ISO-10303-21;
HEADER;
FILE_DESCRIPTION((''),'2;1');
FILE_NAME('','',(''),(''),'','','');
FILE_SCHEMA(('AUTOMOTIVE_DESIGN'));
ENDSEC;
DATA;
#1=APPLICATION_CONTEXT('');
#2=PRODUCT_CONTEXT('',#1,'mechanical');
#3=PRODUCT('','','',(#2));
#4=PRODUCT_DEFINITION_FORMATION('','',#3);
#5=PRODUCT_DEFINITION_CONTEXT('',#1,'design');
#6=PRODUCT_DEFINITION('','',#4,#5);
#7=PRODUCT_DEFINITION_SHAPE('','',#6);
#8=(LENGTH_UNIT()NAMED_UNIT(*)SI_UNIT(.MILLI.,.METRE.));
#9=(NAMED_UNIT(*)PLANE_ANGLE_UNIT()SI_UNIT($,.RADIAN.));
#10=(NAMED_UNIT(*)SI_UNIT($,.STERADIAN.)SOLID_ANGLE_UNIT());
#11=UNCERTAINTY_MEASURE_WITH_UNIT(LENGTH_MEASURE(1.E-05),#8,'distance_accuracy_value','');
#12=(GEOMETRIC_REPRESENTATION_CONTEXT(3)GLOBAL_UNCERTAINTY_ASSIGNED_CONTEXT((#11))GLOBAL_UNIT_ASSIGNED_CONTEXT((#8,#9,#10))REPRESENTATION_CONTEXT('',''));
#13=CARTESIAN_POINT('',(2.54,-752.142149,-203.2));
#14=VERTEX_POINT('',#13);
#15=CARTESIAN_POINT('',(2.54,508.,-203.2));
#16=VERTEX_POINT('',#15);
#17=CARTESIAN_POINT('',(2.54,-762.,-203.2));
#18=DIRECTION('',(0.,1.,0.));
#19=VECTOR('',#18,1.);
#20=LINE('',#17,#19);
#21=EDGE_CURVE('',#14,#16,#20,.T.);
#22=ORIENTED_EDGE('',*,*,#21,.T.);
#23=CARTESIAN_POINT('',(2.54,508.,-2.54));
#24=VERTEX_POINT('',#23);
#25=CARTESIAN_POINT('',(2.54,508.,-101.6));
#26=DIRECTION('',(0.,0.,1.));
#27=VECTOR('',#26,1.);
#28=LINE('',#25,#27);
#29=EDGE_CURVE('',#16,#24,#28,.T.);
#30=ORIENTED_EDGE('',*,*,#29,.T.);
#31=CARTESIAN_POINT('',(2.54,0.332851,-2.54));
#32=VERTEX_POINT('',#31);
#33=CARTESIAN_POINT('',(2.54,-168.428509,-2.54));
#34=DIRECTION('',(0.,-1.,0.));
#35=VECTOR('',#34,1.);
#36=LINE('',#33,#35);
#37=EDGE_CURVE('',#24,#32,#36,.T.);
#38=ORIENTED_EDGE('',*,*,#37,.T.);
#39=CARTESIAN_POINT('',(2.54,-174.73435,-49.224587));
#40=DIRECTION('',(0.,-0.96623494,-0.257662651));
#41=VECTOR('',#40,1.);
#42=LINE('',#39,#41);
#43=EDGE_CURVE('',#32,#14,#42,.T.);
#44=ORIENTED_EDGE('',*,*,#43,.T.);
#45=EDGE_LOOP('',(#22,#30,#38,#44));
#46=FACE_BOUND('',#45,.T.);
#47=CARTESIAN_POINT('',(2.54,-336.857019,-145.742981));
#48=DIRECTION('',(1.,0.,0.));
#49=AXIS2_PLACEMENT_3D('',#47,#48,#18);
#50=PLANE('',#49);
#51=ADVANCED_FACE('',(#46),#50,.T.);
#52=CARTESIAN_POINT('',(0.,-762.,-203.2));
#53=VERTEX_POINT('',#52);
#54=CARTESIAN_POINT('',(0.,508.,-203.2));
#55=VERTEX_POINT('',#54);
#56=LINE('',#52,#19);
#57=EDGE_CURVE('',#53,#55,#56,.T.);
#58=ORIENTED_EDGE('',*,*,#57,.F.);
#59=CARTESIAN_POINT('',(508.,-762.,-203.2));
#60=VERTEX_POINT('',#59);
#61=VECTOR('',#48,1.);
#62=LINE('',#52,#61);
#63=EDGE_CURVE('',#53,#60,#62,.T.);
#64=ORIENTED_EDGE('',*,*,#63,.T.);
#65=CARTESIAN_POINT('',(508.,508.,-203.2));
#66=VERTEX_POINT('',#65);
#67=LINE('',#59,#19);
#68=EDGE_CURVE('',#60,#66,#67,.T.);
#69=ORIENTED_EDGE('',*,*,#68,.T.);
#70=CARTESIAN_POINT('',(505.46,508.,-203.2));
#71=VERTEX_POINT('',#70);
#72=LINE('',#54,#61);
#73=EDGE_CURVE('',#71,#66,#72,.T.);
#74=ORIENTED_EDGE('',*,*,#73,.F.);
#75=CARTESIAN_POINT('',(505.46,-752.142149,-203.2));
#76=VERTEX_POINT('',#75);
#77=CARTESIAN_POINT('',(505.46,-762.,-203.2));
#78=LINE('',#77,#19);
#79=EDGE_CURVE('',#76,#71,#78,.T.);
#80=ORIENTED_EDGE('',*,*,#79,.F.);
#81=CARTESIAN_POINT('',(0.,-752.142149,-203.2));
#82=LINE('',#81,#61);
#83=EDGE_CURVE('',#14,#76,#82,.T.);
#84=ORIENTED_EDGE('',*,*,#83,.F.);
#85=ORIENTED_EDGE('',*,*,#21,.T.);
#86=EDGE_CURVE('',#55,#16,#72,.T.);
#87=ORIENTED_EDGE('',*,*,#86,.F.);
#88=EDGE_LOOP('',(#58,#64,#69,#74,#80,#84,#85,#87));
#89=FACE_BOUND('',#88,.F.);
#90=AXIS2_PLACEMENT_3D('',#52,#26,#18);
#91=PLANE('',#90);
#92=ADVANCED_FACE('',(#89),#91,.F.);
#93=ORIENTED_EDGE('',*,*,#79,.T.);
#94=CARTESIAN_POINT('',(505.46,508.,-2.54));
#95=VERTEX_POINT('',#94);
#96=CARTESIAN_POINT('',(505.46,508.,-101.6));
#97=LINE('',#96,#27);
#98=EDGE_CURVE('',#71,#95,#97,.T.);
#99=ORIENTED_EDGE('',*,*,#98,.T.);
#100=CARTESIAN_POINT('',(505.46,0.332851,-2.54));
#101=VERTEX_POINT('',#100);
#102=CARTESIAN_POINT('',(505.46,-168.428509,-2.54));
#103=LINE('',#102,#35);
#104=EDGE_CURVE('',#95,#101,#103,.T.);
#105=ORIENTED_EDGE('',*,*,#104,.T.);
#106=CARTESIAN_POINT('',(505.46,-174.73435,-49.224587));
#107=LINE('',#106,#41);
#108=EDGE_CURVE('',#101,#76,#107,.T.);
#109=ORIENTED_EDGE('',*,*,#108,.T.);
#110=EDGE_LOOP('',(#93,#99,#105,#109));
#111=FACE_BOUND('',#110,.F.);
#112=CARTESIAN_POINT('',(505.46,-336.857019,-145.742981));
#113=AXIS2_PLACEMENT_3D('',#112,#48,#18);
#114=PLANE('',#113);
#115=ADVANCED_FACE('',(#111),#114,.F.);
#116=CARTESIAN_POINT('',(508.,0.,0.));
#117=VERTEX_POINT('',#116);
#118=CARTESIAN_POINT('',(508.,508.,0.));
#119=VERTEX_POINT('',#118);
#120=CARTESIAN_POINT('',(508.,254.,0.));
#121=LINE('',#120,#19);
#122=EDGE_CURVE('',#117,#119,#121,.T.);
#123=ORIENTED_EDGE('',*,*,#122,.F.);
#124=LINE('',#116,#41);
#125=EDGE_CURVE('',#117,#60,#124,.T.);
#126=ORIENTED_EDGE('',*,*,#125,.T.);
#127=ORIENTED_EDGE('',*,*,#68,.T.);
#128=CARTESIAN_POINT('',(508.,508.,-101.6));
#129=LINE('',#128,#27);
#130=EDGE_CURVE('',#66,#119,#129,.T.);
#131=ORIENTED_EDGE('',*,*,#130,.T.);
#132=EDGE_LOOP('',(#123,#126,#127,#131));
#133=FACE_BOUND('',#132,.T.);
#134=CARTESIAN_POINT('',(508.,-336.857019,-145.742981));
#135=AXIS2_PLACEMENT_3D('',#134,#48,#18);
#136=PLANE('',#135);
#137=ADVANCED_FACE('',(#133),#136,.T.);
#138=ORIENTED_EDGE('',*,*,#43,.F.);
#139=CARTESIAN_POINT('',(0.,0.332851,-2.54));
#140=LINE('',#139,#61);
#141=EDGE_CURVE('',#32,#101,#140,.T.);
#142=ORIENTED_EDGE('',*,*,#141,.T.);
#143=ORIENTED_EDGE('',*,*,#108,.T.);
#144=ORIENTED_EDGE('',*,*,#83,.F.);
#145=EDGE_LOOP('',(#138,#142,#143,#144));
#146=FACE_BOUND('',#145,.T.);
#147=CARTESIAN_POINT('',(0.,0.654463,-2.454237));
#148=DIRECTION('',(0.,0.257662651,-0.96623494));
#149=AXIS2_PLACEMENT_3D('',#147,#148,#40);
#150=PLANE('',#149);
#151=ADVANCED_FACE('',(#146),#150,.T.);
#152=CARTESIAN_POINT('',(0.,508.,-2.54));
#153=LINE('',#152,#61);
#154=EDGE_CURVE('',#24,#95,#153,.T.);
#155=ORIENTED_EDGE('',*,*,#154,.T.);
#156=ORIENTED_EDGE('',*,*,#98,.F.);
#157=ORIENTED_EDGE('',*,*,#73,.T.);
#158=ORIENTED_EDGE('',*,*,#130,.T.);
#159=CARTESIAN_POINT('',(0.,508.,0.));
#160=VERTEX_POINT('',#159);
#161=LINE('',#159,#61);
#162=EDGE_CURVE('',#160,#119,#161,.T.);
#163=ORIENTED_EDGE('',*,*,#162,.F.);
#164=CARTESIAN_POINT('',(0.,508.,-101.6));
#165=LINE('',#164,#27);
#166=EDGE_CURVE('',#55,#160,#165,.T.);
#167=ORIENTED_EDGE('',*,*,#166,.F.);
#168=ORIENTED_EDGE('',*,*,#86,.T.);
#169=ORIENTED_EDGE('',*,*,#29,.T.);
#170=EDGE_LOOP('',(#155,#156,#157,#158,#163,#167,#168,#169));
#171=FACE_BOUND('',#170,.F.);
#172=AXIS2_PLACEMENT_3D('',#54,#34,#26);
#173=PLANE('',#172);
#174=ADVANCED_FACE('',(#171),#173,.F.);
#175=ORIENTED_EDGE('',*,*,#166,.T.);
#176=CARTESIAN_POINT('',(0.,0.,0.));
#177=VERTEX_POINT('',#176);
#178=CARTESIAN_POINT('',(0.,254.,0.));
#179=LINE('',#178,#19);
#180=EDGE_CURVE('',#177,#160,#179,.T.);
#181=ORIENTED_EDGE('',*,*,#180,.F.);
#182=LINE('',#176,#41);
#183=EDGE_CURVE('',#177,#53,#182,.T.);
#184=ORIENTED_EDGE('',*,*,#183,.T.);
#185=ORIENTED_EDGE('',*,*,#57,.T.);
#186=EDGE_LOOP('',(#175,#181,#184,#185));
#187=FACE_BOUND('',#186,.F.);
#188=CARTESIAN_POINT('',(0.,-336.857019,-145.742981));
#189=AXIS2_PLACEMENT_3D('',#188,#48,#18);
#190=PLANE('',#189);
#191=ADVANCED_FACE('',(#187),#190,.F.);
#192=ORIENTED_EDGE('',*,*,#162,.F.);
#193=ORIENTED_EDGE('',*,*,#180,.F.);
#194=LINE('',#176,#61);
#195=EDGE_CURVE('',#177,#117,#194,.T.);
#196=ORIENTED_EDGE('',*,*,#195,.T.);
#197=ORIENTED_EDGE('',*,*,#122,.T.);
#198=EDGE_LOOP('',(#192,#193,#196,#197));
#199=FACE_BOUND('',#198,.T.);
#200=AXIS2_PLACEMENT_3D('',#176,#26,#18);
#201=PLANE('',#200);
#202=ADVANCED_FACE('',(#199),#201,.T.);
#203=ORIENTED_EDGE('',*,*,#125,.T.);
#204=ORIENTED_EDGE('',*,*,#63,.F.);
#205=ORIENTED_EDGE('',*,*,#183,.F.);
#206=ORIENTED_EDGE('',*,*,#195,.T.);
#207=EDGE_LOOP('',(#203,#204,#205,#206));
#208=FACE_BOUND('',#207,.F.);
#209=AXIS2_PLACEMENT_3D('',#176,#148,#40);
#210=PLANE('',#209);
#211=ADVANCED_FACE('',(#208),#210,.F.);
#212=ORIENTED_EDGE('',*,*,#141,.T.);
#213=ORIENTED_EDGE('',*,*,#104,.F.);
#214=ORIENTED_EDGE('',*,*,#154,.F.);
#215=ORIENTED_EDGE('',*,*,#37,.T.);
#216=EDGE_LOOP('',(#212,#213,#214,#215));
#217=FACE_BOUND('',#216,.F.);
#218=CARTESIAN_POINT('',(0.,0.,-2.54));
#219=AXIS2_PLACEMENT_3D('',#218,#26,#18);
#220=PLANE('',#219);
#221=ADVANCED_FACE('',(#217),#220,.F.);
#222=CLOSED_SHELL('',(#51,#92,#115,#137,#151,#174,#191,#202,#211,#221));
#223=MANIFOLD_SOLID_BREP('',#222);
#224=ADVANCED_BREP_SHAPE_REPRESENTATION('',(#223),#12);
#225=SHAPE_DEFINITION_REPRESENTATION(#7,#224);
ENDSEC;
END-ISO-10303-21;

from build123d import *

# Parameters (mm, degrees)
F0_W     = 508
F0_H     = 203.2
F1_DEPTH = 508
F2_T     = -2.54


with BuildPart() as f1:
    # F0 (on Right) → F1 (new body)
    with BuildSketch(Plane.YZ):
        Polygon((0, -203.2), (0, 0), (-762, -203.2), align=None)
        with Locations((254, -101.6)):
            Rectangle(F0_W, F0_H)
    extrude(amount=F1_DEPTH)

    # F2
    f2_openings = [f1.faces().sort_by_distance(p)[0] for p in [
        (254, 508, -101.6),
        (254, -127, -203.2),
    ]]
    offset(amount=F2_T, openings=f2_openings)


solid = f1.part
